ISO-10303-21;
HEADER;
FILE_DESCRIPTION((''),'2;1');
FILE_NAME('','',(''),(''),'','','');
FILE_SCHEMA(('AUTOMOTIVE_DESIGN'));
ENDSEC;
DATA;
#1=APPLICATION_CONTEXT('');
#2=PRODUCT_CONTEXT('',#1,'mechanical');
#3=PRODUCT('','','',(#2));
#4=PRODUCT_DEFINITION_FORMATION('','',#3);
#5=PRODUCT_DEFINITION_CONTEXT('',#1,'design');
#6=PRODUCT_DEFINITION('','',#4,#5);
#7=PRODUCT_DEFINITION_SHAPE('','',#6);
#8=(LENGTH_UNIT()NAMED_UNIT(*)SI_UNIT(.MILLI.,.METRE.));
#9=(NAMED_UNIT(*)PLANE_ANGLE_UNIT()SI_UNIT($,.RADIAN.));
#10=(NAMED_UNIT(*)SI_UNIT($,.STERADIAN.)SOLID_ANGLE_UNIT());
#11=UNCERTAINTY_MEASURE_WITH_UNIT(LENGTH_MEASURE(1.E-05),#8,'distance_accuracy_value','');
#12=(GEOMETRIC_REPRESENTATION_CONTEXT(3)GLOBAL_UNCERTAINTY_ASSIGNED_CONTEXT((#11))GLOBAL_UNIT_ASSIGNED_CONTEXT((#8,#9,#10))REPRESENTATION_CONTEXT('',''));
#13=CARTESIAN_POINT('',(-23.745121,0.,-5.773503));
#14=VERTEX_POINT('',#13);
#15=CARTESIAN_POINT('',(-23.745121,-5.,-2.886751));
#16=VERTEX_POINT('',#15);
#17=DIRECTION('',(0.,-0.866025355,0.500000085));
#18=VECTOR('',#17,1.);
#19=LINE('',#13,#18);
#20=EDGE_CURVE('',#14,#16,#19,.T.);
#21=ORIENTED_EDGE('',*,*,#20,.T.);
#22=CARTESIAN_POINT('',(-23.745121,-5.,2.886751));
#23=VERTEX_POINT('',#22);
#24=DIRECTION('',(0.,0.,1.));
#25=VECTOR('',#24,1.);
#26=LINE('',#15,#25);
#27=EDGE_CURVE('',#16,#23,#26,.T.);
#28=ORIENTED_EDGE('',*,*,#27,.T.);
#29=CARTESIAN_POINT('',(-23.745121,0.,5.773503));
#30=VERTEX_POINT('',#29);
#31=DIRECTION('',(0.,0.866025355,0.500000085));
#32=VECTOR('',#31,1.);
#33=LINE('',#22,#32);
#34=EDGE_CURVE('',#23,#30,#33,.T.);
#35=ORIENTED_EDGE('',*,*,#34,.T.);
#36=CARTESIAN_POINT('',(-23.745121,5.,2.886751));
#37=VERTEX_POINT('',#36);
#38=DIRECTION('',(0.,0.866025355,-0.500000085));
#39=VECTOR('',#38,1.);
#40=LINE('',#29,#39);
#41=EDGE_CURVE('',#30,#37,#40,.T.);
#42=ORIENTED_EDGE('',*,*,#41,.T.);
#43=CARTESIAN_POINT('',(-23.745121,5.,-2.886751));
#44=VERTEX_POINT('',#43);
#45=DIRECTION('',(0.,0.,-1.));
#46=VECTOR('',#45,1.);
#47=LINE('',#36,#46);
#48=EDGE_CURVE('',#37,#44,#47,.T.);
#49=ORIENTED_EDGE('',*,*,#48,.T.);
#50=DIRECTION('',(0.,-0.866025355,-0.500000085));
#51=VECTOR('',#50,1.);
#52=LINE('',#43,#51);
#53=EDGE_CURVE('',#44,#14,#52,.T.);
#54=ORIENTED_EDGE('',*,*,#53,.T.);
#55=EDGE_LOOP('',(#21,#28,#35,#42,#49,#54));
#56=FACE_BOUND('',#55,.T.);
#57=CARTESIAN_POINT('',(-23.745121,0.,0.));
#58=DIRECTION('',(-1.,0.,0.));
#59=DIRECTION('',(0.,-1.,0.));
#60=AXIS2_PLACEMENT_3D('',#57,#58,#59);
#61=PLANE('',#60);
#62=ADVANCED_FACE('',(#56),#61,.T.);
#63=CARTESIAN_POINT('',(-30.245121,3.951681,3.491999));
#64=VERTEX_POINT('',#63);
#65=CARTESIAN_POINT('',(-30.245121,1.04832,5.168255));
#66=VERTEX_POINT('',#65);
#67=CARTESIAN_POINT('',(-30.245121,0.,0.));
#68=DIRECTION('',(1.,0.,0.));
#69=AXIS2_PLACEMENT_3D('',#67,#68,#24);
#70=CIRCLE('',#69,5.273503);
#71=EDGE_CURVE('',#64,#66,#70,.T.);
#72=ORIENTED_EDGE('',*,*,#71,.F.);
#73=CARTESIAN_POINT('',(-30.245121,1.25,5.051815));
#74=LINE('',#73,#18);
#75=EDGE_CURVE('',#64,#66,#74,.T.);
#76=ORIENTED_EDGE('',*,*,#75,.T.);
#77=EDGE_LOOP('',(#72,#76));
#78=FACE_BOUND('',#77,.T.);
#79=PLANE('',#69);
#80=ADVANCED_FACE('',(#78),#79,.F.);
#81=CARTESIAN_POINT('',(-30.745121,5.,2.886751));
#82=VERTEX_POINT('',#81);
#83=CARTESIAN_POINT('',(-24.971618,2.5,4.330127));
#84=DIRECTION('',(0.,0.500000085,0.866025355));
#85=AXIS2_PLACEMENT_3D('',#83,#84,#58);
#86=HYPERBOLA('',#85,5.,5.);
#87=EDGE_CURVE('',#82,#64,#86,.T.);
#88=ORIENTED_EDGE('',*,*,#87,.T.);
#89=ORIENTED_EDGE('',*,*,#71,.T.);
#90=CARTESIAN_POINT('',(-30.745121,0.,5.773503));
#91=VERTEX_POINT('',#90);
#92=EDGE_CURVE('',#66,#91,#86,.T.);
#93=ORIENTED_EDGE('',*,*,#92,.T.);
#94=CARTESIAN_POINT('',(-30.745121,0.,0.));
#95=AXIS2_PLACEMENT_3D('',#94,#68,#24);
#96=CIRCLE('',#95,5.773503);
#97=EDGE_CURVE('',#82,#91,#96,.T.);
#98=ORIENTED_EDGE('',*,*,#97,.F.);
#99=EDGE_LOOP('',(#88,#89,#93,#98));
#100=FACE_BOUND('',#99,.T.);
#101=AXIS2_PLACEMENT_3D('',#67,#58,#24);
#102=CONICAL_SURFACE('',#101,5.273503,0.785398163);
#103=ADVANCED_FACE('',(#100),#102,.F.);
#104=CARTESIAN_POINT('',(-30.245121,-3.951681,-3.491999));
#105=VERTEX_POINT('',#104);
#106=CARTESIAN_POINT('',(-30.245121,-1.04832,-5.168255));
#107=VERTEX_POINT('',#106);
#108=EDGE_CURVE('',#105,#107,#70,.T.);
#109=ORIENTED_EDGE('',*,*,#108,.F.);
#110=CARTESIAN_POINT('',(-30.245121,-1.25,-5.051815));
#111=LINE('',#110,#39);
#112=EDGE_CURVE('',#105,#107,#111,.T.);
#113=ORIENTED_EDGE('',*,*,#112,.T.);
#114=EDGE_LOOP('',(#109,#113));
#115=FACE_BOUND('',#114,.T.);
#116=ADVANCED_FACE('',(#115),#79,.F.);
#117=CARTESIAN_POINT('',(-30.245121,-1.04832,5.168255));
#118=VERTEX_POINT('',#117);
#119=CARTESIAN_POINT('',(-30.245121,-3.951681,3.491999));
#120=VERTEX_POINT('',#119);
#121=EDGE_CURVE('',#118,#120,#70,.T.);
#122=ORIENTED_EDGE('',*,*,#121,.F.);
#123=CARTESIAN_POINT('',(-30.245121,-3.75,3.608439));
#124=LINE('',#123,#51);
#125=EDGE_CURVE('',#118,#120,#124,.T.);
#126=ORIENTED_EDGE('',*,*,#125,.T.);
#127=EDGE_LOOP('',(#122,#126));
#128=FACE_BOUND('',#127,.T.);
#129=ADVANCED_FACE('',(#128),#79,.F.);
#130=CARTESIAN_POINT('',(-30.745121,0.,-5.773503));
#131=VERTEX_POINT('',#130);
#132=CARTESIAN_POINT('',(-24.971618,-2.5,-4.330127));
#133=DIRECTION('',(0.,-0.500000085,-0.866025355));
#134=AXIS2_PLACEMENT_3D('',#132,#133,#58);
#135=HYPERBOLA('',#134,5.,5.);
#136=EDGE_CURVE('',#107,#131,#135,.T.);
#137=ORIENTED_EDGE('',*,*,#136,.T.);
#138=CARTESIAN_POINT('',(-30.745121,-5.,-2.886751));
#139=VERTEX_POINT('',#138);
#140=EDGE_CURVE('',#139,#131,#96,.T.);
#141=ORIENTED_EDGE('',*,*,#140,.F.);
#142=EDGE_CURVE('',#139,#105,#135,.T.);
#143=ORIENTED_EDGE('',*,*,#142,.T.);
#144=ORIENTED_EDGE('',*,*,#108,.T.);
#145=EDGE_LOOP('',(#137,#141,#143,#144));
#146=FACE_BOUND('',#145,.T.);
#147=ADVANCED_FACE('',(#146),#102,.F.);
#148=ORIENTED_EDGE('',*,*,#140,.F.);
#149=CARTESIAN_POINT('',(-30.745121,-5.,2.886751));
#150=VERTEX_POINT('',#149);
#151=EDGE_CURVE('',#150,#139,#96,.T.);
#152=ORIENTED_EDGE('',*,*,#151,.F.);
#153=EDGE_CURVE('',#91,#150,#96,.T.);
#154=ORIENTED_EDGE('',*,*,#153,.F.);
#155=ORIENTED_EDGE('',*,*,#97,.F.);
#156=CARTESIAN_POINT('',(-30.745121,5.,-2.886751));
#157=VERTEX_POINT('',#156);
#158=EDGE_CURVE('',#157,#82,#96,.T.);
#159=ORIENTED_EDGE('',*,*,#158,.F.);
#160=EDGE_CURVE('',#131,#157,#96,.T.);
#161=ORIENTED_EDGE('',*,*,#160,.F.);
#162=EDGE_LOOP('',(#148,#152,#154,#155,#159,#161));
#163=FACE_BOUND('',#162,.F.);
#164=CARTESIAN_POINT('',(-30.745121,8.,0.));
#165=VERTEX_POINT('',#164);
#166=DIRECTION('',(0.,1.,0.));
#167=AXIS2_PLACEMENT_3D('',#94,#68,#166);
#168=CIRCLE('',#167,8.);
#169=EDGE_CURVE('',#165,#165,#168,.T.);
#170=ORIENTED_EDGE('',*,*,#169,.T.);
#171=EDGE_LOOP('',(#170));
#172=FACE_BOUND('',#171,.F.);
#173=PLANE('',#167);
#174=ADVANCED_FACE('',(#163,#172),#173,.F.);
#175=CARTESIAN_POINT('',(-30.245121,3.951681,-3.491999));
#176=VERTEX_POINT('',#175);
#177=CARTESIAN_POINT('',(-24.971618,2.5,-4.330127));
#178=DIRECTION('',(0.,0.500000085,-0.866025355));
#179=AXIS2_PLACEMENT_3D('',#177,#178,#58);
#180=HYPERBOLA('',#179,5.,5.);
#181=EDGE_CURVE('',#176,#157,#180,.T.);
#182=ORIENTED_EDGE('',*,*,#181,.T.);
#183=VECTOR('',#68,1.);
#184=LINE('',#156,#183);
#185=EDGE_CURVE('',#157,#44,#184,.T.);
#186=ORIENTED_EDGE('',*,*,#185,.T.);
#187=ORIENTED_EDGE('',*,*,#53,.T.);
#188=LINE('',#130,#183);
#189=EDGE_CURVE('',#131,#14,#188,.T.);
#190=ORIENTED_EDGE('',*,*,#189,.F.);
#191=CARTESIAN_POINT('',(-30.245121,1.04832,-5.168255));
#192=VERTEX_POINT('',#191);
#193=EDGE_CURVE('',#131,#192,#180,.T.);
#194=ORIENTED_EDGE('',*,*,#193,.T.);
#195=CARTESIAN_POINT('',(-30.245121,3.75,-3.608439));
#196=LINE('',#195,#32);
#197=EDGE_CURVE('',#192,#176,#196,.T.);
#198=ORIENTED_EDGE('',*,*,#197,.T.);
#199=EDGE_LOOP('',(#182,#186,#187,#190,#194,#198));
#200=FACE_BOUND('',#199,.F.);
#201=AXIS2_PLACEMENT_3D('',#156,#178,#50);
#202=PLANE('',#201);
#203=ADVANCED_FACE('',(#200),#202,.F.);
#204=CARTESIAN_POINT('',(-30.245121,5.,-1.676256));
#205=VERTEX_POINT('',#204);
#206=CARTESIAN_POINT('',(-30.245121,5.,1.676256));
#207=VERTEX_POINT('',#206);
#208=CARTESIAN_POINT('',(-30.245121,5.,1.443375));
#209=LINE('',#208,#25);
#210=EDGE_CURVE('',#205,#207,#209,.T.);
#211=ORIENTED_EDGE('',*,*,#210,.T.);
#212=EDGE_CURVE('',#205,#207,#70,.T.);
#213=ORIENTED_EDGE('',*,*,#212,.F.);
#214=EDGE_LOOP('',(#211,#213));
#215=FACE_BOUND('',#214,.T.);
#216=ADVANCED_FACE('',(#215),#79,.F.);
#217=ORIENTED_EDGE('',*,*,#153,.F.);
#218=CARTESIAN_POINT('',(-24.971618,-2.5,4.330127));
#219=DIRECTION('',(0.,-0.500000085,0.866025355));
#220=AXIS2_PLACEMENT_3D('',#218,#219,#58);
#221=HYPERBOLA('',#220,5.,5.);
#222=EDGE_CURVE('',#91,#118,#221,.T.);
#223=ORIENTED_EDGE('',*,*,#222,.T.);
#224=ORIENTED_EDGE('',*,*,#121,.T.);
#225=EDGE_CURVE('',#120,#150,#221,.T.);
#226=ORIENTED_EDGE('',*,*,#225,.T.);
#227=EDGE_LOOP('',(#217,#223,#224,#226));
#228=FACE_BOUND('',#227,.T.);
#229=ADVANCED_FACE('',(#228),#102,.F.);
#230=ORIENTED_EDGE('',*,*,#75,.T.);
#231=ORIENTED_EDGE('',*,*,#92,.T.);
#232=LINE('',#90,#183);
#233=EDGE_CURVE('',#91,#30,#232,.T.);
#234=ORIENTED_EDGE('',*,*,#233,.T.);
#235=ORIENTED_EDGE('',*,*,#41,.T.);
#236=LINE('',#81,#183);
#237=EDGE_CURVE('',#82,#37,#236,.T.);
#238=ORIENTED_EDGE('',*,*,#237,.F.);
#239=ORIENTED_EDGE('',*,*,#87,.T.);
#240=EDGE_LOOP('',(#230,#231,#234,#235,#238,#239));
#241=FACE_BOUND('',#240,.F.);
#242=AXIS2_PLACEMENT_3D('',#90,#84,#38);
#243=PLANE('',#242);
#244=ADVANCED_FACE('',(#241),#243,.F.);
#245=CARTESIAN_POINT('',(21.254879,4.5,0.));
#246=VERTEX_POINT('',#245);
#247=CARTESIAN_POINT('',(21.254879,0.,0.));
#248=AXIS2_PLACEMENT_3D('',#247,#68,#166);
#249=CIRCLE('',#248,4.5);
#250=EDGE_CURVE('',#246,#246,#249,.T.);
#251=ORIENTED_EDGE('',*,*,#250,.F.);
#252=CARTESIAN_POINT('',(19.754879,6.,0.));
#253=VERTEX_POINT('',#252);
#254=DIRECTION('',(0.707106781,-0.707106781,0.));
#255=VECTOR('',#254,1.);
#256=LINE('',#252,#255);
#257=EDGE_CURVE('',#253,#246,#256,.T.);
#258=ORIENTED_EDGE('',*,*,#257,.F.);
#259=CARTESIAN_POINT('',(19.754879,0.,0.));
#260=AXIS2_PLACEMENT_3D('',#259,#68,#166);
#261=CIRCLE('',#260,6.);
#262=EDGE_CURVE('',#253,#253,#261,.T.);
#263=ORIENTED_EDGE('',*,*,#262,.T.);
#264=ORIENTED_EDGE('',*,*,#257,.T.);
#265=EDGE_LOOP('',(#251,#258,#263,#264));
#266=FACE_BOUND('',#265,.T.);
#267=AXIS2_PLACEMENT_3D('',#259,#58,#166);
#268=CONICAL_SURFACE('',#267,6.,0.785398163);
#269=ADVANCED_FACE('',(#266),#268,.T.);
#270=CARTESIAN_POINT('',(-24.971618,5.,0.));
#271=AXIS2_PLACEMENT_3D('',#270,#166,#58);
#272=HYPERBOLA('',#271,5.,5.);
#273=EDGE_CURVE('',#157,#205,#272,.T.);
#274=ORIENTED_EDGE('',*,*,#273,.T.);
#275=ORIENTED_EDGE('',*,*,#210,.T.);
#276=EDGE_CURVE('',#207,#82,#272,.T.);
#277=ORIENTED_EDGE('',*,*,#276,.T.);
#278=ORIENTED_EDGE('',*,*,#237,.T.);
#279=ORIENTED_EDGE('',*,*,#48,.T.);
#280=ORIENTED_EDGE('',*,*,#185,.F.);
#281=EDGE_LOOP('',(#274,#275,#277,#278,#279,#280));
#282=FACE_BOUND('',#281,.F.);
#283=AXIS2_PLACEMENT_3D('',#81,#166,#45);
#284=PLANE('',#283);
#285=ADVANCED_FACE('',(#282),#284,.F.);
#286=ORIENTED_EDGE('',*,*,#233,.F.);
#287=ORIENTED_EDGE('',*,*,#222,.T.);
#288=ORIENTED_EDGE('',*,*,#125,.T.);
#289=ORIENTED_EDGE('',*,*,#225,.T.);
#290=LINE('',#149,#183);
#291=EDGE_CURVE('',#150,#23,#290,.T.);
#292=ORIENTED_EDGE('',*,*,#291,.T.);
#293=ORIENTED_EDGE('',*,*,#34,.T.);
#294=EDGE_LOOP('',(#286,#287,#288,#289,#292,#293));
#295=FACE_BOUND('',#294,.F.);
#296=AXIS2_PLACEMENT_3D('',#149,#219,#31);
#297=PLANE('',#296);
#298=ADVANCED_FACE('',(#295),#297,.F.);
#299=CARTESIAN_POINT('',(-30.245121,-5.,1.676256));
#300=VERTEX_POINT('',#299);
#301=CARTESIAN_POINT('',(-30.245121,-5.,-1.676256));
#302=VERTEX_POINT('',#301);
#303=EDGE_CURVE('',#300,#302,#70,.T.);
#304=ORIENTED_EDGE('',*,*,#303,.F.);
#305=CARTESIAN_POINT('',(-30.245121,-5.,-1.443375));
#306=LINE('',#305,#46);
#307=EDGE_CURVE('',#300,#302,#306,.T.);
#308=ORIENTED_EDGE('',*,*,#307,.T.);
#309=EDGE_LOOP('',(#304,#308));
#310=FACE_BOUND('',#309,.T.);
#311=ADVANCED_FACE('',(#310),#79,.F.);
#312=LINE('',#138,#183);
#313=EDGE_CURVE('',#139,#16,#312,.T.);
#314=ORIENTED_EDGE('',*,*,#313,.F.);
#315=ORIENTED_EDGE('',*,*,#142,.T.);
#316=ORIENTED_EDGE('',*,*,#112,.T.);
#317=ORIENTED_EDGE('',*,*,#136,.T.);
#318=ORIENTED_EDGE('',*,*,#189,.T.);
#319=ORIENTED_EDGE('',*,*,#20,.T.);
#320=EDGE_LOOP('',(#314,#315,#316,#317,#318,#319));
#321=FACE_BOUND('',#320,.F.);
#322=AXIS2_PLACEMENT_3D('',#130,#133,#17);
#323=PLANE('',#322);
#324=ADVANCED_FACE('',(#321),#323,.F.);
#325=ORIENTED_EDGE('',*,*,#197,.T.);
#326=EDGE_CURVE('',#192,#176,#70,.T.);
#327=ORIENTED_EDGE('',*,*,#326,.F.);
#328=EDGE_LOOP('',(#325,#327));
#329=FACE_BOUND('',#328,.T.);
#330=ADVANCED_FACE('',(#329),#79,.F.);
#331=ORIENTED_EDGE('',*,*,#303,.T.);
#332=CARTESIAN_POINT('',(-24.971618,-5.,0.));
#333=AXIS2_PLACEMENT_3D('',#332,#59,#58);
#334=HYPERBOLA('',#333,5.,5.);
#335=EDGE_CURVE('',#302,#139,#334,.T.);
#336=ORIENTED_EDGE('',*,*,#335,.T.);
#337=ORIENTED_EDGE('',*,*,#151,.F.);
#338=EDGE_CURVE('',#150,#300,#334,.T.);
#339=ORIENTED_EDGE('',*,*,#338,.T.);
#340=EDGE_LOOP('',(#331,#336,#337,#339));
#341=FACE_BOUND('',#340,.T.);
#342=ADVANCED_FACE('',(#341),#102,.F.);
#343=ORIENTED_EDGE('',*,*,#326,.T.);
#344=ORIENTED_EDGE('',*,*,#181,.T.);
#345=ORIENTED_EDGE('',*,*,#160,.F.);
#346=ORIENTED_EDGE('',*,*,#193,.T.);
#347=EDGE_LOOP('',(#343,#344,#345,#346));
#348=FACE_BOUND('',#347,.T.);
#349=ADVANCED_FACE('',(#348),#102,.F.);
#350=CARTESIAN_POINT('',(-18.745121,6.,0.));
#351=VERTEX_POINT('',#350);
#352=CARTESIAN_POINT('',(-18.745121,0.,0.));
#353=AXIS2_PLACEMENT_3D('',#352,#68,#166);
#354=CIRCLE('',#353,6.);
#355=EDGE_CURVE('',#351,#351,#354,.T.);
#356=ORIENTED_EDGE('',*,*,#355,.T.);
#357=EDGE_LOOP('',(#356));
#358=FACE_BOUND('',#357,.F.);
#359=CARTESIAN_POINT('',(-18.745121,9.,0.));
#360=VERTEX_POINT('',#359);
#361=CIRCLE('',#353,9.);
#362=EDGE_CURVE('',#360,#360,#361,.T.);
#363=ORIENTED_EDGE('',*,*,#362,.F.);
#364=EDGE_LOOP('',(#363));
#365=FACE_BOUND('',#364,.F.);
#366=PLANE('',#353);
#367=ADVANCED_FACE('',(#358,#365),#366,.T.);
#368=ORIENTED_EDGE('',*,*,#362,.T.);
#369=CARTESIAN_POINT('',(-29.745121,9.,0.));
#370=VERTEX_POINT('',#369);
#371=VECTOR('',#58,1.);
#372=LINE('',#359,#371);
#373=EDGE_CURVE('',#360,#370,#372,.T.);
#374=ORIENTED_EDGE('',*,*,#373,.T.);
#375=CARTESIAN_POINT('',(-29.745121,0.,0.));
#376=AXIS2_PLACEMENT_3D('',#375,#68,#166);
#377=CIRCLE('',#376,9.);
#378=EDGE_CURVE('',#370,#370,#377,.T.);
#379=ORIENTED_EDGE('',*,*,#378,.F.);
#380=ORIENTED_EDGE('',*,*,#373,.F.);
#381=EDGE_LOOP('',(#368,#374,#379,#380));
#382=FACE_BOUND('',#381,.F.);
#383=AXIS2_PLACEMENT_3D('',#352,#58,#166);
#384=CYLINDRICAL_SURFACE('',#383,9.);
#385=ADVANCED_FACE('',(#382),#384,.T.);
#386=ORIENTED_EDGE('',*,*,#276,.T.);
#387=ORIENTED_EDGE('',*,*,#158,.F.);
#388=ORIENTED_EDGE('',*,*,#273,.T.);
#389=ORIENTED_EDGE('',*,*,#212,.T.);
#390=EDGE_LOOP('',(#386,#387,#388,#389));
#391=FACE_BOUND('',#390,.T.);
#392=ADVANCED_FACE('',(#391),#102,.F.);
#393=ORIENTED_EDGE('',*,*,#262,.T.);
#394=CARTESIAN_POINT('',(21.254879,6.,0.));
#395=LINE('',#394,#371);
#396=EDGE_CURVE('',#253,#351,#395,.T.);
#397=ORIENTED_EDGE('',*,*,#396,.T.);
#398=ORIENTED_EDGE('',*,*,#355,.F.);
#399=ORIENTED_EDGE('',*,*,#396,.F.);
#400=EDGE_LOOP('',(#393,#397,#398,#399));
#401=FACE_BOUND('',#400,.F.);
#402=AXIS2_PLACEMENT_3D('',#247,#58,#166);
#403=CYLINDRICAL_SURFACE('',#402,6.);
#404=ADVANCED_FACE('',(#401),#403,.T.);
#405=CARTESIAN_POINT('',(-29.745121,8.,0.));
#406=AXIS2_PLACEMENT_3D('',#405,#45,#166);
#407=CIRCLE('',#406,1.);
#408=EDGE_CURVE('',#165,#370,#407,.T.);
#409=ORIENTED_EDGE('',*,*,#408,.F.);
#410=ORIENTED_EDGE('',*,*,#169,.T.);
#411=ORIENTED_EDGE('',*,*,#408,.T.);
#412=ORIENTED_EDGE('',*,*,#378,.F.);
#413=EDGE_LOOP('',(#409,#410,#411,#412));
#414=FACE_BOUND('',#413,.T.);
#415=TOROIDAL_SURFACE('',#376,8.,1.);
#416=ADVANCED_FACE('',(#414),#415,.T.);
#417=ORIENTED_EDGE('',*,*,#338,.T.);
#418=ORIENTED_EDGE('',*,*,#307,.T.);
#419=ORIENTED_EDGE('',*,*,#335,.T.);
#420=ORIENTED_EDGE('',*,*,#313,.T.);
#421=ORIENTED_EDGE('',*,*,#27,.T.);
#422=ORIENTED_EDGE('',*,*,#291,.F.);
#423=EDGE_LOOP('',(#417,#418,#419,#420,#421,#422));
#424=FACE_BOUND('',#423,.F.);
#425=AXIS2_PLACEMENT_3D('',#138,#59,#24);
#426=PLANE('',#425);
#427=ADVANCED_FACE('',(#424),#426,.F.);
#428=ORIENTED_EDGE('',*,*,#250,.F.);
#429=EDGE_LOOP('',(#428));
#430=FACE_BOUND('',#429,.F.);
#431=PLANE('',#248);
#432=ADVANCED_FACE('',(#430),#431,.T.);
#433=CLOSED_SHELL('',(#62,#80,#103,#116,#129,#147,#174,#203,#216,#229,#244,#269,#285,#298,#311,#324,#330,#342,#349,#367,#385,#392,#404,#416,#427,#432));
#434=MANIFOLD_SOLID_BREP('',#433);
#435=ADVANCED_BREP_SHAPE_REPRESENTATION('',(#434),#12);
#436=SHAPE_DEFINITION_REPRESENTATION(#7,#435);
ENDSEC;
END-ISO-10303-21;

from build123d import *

# Parameters (mm, degrees)
F2_R     = 1
F3_SIZE  = 1.5
F5_DEPTH = 7


with BuildPart() as f1:
    # F0 (on Top) → F1 (revolve)
    with BuildSketch(Plane.XY):
        Polygon((-30.745121, 9), (-30.745121, 0), (21.254879, 0), (21.254879, 6), (-18.745121, 6), (-18.745121, 9), align=None)
    revolve(axis=Axis((0.541581, 0, 0), (1, 0, 0)))

    # F2
    f2_edges = [f1.edges().sort_by_distance(p)[0] for p in [
        (-30.745121, -9, 0),
    ]]
    fillet(f2_edges, radius=F2_R)

    # F3
    f3_edges = [f1.edges().sort_by_distance(p)[0] for p in [
        (21.254879, -6, 0),
    ]]
    chamfer(f3_edges, length=F3_SIZE)

    # F4 (on face) → F5 (cut)
    with BuildSketch(Plane(origin=(-30.745121, 0, 0), x_dir=(0, -1, 0), z_dir=(-1, 0, 0))):
        Polygon((5, -2.886751), (5, 0), (5, 2.886751), (0, 5.773503), (-5, 2.886751), (-5, 0), (-5, -2.886751), (0, -5.773503), align=None)
    extrude(amount=-F5_DEPTH, mode=Mode.SUBTRACT)

    # F6 (on Front) → F7 (revolve, cut)
    with BuildSketch(Plane.XZ):
        Polygon((-30.245121, 5.273503), (-30.745121, 5.773503), (-30.745121, 0), (-30.245121, 0), align=None)
    revolve(axis=Axis((0.541581, 0, 0), (1, 0, 0)), mode=Mode.SUBTRACT)


with BuildPart() as f8_1:
    # F8: copy of F1
    add(f1.part)


solid = f1.part
